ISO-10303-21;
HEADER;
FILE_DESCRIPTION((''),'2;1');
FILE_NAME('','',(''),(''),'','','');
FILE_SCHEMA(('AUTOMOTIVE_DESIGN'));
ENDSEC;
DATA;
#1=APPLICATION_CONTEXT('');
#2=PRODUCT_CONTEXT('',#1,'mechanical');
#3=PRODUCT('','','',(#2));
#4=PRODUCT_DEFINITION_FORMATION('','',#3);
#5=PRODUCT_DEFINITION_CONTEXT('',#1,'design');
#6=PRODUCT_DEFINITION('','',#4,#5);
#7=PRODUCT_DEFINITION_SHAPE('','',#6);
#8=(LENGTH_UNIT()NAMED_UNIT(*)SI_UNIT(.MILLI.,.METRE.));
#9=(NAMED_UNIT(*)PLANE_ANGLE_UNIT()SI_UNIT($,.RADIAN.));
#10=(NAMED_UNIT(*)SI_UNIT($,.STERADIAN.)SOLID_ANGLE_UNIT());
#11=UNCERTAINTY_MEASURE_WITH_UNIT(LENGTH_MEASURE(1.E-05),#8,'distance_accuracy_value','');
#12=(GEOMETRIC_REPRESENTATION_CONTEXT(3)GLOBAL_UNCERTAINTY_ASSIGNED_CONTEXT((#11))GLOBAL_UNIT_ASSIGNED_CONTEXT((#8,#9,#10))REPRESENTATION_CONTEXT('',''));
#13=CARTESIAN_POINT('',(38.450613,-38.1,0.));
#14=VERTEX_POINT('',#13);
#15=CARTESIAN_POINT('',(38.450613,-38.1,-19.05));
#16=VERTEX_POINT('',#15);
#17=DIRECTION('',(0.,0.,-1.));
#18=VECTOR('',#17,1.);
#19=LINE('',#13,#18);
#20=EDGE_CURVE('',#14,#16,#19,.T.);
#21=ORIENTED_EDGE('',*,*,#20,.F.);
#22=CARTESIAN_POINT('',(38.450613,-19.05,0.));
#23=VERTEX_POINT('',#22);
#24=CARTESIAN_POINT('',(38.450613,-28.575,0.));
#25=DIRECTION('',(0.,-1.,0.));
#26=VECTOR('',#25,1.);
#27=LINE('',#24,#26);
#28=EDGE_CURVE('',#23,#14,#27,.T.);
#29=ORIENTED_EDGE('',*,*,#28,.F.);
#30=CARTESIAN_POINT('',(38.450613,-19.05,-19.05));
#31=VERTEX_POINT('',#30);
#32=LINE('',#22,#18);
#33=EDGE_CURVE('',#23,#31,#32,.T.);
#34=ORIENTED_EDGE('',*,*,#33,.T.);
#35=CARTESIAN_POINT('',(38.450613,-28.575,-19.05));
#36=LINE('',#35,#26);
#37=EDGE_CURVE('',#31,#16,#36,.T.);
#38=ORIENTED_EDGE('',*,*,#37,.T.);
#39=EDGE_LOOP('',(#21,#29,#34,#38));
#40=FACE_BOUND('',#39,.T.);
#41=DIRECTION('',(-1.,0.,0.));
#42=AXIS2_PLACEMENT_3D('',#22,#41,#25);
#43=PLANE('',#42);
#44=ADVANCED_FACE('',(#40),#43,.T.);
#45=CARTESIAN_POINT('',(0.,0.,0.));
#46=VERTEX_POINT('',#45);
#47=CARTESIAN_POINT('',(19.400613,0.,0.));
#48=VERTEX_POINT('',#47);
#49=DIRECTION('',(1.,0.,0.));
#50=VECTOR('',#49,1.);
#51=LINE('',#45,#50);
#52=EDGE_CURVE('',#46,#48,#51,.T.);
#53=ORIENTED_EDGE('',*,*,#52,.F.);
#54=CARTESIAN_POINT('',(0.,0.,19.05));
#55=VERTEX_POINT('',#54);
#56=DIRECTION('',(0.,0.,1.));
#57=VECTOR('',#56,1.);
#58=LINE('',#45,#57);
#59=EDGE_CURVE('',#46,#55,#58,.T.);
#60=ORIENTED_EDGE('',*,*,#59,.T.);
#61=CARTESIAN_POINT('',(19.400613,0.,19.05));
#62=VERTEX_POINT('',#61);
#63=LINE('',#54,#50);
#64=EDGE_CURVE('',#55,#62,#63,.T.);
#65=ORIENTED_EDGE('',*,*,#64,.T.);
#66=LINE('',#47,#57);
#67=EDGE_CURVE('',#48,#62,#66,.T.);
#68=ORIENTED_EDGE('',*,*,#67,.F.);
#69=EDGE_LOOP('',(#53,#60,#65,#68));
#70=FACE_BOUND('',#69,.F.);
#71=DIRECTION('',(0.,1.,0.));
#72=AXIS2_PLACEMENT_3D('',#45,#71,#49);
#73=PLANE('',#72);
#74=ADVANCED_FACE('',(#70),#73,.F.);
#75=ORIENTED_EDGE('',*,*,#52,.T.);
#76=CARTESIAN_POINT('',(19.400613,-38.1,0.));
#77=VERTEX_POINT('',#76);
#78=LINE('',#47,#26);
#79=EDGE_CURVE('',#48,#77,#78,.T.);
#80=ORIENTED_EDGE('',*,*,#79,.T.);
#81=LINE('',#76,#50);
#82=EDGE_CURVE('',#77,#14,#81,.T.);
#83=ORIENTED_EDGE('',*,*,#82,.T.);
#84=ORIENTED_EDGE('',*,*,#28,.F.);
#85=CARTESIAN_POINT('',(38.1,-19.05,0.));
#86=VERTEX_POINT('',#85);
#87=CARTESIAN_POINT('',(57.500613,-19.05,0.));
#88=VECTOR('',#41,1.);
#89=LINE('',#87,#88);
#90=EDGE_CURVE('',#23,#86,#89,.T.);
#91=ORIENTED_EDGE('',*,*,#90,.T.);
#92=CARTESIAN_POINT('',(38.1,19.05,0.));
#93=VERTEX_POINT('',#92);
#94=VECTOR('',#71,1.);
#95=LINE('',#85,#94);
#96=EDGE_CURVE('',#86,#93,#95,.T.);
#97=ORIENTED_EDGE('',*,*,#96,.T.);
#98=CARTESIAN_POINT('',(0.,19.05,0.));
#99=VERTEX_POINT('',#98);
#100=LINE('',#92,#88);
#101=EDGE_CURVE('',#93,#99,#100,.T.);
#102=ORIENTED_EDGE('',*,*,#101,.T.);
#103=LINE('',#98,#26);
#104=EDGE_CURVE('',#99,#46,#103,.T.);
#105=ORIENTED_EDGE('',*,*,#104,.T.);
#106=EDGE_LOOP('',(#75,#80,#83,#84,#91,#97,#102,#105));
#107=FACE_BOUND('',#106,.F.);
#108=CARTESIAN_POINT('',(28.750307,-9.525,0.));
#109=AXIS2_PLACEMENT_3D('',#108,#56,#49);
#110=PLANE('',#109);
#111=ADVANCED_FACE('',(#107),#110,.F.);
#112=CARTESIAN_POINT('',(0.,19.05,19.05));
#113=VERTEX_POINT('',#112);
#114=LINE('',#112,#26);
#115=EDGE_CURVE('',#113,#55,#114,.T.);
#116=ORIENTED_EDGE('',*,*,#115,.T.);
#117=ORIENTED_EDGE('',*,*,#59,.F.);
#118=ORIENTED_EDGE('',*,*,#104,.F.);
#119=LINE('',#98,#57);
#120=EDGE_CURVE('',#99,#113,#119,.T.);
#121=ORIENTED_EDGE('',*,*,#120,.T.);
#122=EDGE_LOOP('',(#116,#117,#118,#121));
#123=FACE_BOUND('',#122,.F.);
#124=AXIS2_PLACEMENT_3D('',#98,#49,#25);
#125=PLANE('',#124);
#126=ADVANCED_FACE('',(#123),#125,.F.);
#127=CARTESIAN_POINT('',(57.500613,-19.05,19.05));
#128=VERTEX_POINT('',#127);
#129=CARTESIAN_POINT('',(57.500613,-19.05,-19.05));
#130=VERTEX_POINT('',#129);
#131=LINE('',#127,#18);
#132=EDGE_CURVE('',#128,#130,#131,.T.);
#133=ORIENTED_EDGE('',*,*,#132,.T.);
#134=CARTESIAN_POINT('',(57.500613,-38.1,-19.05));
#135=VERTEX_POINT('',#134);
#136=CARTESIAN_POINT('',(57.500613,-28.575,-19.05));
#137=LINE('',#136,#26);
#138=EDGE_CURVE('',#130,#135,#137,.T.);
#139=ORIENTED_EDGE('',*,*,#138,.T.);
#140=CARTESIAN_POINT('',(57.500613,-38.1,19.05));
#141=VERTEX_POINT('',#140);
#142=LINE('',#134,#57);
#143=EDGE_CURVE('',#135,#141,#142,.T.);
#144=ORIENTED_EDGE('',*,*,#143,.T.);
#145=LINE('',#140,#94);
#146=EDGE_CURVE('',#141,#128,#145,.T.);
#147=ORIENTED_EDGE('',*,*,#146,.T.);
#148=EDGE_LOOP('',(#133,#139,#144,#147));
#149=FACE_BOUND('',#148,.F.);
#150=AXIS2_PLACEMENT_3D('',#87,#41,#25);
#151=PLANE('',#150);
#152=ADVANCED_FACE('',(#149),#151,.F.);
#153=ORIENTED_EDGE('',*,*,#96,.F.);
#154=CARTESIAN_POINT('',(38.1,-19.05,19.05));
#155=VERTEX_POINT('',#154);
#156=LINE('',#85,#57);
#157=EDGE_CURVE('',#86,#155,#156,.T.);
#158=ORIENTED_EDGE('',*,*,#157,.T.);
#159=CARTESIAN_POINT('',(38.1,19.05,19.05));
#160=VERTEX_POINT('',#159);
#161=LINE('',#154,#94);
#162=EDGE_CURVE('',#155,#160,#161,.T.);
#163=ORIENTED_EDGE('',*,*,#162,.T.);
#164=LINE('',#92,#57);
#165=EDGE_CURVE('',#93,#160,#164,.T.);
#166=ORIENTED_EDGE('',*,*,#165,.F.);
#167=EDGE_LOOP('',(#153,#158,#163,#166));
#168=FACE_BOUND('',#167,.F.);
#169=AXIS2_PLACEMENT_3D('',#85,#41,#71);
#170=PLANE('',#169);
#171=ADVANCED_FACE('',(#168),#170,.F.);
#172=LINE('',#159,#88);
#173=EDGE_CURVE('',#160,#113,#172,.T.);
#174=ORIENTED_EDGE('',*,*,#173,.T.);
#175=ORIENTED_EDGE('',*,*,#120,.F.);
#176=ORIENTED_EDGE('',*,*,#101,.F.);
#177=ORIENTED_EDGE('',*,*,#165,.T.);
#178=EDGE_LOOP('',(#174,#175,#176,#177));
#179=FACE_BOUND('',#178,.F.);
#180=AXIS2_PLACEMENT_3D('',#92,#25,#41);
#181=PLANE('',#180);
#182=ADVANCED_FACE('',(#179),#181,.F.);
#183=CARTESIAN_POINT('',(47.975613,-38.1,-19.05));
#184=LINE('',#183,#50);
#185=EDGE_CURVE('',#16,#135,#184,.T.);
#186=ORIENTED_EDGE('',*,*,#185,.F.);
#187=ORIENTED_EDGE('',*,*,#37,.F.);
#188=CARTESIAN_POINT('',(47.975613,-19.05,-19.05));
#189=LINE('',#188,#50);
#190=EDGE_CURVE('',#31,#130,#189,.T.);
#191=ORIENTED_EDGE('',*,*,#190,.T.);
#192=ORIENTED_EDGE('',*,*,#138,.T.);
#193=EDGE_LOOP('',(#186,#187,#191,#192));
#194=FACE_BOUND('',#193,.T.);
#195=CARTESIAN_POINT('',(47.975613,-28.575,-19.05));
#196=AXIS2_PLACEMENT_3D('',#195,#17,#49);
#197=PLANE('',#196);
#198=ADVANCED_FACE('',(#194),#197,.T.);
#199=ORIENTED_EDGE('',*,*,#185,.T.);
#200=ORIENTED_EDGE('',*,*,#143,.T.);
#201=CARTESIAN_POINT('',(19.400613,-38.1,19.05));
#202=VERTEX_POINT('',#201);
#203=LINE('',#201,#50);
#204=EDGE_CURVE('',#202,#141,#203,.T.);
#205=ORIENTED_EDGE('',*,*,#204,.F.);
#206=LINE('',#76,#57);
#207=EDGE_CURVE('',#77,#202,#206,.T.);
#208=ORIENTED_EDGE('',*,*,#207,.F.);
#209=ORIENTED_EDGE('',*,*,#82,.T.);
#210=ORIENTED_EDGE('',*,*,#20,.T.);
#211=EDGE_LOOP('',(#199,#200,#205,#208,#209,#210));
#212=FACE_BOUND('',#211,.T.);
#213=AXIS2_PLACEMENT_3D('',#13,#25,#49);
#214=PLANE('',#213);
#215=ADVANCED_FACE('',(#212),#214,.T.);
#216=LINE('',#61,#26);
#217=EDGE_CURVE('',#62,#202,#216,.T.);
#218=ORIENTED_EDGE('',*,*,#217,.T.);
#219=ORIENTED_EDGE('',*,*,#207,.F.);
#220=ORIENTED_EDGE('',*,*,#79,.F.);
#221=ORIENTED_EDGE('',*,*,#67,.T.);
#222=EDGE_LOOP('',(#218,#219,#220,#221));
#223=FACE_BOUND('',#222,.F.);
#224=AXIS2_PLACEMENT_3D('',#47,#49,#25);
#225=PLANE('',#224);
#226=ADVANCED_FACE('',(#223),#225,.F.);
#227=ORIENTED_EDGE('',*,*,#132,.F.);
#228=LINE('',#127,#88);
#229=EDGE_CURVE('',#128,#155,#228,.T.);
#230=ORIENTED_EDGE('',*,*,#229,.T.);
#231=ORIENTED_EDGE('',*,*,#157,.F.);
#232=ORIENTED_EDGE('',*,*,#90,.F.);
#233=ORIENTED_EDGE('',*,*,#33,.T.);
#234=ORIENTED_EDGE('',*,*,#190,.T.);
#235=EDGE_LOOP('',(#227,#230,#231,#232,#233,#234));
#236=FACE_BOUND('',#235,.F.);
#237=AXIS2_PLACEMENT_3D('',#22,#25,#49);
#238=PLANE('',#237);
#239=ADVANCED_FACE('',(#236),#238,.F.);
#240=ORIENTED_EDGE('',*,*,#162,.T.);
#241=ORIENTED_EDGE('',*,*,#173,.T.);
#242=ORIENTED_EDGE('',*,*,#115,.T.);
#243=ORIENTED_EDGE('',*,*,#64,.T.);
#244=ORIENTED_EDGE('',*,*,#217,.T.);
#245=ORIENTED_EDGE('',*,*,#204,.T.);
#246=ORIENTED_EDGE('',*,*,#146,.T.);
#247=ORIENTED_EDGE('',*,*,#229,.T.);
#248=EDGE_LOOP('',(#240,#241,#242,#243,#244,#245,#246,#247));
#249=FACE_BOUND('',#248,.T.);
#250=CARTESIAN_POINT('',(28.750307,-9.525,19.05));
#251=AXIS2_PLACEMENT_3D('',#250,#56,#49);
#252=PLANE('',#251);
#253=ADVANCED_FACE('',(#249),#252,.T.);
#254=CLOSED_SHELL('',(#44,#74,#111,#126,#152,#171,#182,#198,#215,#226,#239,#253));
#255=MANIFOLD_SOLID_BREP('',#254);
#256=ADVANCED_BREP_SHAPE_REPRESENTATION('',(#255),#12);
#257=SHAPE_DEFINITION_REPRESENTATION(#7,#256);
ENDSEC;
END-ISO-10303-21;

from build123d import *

# Parameters (mm, degrees)
F1_DEPTH = 19.05
F2_W     = 19.05
F2_H     = 19.05
F3_DEPTH = 19.05


with BuildPart() as f1:
    # F0 (on Top) → F1 (new body)
    with BuildSketch(Plane.XY):
        Polygon((0, 19.05), (0, 0), (19.400613, 0), (19.400613, -38.1), (57.500613, -38.1), (57.500613, -19.05), (38.1, -19.05), (38.1, 19.05), align=None)
    extrude(amount=F1_DEPTH)

    # F2 (on face) → F3 (join)
    with BuildSketch(Plane(origin=(0, 0, 0), x_dir=(1, 0, 0), z_dir=(0, 0, -1))):
        with Locations((47.975613, 28.575)):
            Rectangle(F2_W, F2_H)
    extrude(amount=F3_DEPTH)


solid = f1.part
